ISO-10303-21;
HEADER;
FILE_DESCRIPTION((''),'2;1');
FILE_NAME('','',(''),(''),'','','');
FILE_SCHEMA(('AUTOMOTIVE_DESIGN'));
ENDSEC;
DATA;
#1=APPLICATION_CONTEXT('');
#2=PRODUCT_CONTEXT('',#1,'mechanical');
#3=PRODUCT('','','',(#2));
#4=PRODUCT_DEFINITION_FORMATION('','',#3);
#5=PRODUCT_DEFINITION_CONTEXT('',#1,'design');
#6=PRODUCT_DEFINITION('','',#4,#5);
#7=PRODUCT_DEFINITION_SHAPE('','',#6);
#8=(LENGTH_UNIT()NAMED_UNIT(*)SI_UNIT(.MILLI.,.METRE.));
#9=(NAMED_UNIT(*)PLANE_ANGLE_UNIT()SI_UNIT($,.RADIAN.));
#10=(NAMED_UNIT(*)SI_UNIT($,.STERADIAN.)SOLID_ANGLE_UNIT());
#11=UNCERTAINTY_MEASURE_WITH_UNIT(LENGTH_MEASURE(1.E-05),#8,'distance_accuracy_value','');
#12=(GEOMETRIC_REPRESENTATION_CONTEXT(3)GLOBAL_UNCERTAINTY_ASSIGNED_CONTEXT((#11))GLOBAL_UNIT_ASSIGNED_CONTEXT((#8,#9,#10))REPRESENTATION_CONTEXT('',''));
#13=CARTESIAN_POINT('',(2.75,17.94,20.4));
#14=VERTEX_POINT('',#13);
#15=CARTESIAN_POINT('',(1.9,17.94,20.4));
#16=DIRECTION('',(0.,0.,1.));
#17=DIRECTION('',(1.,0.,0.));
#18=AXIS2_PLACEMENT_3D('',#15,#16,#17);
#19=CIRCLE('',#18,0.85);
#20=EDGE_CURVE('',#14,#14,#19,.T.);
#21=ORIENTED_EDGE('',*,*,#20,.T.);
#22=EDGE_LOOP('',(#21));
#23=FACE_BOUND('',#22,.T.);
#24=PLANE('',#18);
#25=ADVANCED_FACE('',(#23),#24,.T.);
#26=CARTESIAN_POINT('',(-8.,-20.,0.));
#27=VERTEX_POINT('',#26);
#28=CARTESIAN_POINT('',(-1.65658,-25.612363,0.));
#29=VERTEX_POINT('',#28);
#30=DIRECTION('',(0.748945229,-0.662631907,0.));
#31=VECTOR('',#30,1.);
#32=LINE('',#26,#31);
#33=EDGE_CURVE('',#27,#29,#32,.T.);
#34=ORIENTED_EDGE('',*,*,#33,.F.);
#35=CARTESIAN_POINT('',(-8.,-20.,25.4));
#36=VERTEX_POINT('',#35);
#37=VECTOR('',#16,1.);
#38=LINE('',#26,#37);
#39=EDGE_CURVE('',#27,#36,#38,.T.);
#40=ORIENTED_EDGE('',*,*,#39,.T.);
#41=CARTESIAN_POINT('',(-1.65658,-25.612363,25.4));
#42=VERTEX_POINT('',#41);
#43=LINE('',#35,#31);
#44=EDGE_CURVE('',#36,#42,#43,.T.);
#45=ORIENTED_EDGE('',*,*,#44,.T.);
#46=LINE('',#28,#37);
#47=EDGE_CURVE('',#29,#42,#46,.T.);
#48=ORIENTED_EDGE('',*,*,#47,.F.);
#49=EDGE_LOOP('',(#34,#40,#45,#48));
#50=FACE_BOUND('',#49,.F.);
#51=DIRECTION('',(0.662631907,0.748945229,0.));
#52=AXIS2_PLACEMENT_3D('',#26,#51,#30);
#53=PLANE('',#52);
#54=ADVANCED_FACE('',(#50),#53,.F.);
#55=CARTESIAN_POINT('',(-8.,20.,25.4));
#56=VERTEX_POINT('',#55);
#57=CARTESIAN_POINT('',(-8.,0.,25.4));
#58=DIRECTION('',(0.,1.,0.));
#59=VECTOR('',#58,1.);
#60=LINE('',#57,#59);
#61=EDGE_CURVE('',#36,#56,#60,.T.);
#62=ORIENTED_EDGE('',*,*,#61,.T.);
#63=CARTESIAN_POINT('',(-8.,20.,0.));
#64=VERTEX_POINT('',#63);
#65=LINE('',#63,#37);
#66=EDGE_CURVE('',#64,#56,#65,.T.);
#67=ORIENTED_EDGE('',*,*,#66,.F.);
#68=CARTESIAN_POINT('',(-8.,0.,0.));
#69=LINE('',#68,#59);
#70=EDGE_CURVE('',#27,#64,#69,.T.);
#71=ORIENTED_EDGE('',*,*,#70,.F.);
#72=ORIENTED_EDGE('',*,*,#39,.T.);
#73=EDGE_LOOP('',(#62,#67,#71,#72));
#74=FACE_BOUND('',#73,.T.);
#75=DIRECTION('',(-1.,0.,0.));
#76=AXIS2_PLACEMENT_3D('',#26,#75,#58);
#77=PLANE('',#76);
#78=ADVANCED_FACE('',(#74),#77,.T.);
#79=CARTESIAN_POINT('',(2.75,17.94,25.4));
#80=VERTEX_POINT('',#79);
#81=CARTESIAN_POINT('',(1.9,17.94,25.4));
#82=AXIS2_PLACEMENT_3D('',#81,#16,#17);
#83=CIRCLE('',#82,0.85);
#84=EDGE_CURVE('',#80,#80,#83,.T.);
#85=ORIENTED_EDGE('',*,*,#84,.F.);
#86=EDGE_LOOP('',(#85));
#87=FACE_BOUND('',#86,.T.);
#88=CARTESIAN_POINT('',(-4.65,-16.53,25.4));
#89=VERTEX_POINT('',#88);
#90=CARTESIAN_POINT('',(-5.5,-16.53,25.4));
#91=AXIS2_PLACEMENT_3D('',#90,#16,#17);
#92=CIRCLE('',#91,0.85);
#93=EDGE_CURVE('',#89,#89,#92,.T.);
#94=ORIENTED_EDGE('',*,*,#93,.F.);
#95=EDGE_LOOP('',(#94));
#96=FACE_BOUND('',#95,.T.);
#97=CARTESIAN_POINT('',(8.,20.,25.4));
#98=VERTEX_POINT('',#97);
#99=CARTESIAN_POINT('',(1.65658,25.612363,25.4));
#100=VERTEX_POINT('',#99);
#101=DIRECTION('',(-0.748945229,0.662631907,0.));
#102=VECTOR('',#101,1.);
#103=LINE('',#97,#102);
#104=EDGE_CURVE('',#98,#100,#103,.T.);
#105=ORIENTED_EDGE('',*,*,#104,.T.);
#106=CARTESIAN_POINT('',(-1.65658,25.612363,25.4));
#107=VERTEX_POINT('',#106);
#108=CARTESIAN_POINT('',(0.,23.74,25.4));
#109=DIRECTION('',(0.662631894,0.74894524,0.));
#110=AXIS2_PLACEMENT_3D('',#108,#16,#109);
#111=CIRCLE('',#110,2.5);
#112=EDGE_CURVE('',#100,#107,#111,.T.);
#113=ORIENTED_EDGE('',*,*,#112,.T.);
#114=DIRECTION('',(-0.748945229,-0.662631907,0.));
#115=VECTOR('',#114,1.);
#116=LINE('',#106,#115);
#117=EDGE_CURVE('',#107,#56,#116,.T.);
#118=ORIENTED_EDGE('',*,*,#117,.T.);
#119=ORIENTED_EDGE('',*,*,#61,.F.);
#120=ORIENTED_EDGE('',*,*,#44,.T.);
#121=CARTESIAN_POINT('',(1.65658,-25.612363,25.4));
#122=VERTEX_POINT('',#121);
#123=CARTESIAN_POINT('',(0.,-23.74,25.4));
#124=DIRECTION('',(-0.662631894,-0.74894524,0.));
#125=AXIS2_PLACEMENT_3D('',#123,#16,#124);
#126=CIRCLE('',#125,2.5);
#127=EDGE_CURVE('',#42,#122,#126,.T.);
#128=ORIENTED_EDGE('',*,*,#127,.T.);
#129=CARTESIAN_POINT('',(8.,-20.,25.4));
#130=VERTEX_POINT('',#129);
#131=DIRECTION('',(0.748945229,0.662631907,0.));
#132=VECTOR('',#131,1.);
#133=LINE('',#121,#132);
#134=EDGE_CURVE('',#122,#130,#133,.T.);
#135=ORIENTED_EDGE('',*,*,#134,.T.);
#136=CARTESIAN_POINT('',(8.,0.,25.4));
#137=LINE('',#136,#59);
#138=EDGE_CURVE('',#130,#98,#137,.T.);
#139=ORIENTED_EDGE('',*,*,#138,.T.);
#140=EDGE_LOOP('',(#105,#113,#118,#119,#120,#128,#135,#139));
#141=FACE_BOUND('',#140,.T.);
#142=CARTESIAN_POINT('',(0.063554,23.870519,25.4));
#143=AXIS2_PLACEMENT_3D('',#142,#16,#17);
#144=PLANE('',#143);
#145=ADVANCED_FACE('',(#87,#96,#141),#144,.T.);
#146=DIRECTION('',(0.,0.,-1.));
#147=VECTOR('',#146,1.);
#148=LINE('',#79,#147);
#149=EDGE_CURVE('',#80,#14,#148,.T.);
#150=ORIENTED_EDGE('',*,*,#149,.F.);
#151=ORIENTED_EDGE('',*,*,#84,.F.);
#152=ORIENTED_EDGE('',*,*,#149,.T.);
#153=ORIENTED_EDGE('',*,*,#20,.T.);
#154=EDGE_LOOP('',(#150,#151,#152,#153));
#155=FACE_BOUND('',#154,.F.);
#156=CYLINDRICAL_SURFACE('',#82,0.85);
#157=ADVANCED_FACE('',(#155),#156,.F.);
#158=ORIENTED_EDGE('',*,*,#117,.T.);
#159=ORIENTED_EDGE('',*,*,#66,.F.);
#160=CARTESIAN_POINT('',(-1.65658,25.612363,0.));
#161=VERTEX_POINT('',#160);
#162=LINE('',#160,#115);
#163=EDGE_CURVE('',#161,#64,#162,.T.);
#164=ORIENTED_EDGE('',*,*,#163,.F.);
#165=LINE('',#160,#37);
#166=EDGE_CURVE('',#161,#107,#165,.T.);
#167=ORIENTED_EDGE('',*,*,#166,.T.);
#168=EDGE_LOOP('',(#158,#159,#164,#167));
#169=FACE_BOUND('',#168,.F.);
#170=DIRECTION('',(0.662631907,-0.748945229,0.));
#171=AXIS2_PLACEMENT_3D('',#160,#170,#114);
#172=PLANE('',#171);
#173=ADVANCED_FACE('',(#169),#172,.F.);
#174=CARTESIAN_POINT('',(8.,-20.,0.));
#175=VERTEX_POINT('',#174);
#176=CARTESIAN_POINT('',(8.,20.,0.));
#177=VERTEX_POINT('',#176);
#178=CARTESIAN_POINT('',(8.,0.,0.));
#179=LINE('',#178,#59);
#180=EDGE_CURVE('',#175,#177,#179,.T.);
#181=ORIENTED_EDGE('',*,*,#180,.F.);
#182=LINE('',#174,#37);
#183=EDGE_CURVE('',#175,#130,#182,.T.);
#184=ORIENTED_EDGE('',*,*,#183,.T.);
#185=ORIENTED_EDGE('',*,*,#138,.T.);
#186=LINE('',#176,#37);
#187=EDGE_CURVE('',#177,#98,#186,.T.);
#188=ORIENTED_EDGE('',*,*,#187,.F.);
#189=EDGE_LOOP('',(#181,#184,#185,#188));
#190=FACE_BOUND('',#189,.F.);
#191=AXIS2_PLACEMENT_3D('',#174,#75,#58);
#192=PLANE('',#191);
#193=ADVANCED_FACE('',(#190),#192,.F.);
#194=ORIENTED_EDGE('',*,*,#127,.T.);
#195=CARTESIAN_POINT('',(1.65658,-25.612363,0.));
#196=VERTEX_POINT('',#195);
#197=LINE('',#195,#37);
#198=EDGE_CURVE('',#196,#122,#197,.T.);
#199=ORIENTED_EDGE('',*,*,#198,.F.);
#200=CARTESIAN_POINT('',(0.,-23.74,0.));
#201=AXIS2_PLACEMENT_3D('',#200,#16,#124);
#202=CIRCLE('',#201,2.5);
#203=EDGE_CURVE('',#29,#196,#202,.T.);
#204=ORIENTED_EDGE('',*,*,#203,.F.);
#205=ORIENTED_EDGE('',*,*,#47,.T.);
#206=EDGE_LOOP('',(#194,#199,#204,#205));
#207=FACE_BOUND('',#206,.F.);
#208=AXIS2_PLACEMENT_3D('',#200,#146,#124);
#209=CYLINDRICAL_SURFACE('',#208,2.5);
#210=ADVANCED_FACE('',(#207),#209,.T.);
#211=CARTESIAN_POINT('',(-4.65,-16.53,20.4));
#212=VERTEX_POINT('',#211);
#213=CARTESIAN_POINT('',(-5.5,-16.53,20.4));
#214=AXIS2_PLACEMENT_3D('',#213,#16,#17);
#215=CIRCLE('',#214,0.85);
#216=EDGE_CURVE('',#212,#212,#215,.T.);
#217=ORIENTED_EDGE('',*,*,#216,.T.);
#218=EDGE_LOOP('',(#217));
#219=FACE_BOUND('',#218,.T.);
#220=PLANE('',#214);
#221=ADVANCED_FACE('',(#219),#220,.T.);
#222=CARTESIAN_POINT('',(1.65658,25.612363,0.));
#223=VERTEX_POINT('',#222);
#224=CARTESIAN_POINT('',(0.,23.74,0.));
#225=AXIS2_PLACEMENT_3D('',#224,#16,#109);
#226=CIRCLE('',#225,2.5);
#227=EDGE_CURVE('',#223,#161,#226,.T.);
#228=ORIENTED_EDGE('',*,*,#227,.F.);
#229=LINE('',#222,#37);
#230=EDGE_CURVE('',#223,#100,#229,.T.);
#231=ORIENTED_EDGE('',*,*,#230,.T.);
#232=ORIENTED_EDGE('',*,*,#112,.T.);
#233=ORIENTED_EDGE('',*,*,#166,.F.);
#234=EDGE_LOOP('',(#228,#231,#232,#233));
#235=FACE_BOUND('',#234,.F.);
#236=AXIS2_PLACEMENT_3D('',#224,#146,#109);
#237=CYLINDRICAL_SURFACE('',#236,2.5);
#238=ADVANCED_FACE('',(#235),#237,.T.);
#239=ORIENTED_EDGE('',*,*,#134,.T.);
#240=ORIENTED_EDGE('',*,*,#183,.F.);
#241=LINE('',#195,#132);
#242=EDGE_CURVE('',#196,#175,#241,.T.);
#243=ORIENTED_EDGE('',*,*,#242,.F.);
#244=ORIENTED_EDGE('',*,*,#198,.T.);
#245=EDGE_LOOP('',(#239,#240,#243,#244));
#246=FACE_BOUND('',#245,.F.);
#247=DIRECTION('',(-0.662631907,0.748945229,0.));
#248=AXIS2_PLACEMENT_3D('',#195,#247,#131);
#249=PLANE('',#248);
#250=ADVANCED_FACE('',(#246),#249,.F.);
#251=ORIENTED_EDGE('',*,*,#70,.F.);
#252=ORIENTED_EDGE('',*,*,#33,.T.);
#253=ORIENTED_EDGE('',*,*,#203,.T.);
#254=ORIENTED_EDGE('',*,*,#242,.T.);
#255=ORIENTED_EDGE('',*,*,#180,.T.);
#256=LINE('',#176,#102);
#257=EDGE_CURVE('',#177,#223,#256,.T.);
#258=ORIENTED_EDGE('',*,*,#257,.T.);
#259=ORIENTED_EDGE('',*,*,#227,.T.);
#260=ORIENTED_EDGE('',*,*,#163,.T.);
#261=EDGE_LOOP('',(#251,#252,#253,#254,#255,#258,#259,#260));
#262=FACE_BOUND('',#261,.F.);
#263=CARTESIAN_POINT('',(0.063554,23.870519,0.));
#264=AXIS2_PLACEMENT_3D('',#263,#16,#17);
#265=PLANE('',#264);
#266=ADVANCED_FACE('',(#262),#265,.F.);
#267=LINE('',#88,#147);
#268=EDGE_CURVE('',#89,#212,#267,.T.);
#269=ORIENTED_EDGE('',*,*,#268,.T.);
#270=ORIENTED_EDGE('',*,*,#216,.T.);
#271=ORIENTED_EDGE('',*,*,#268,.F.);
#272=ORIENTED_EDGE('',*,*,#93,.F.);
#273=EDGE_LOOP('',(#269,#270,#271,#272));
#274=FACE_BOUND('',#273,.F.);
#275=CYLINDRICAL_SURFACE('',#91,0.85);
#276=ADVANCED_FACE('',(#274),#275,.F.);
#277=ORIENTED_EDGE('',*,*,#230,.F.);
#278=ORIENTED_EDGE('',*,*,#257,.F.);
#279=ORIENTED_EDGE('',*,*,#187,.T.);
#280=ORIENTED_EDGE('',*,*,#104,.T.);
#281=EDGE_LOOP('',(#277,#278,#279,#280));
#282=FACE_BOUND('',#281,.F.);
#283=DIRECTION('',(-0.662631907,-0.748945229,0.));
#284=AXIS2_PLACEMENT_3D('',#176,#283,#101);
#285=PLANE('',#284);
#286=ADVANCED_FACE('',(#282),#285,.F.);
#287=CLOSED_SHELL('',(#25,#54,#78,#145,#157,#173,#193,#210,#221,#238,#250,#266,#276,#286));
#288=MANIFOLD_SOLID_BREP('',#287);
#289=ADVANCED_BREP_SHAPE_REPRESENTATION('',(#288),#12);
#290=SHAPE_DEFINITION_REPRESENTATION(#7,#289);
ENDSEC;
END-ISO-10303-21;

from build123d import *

# Parameters (mm, degrees)
F0_R     = 1.325
F0_W     = 16
F0_H     = 40
F0_R_2   = 0.85
F1_DEPTH = 25.4
F2_R     = 0.85
F3_DEPTH = 5


with BuildPart() as f1:
    # F0 (on Top) → F1 (new body)
    with BuildSketch(Plane.XY):
        with BuildLine():
            ThreePointArc((-1.65658, 25.612363), (-1.026779, 21.460587), (2.5, 23.74))
            ThreePointArc((2.5, 23.74), (2.279413, 24.766779), (1.65658, 25.612363))
            ThreePointArc((1.65658, 25.612363), (0, 26.24), (-1.65658, 25.612363))
        make_face()
        with Locations((0, 23.74)):
            Circle(F0_R, mode=Mode.SUBTRACT)
        with BuildLine():
            ThreePointArc((-1.65658, -25.612363), (0, -26.24), (1.65658, -25.612363))
            ThreePointArc((1.65658, -25.612363), (2.279413, -24.766779), (2.5, -23.74))
            ThreePointArc((2.5, -23.74), (-1.026779, -21.460587), (-1.65658, -25.612363))
        make_face()
        with Locations((0, -23.74)):
            Circle(F0_R, mode=Mode.SUBTRACT)
        with BuildLine():
            Line((1.65658, -25.612363), (8, -20))
            Line((8, -20), (-8, -20))
            Line((-8, -20), (-1.65658, -25.612363))
            ThreePointArc((-1.65658, -25.612363), (-1.026779, -21.460587), (2.5, -23.74))
            ThreePointArc((2.5, -23.74), (2.279413, -24.766779), (1.65658, -25.612363))
        make_face()
        Rectangle(F0_W, F0_H)
        with Locations((-5.5, -16.53)):
            Circle(F0_R_2, mode=Mode.SUBTRACT)
        with Locations((1.9, 17.94)):
            Circle(F0_R_2, mode=Mode.SUBTRACT)
        with Locations((-5.5, -16.53)):
            Circle(F0_R_2)
        with Locations((1.9, 17.94)):
            Circle(F0_R_2)
        with BuildLine():
            ThreePointArc((1.65658, 25.612363), (2.279413, 24.766779), (2.5, 23.74))
            ThreePointArc((2.5, 23.74), (-1.026779, 21.460587), (-1.65658, 25.612363))
            Line((-1.65658, 25.612363), (-8, 20))
            Line((-8, 20), (8, 20))
            Line((8, 20), (1.65658, 25.612363))
        make_face()
        with Locations((0, -23.74)):
            Circle(F0_R)
        with Locations((0, 23.74)):
            Circle(F0_R)
    extrude(amount=F1_DEPTH)

    # F2 (on face) → F3 (cut)
    with BuildSketch(Plane.XY.offset(25.4)):
        with Locations((1.9, 17.94)):
            Circle(F2_R)
        with Locations((-5.5, -16.53)):
            Circle(F2_R)
    extrude(amount=-F3_DEPTH, mode=Mode.SUBTRACT)


solid = f1.part
